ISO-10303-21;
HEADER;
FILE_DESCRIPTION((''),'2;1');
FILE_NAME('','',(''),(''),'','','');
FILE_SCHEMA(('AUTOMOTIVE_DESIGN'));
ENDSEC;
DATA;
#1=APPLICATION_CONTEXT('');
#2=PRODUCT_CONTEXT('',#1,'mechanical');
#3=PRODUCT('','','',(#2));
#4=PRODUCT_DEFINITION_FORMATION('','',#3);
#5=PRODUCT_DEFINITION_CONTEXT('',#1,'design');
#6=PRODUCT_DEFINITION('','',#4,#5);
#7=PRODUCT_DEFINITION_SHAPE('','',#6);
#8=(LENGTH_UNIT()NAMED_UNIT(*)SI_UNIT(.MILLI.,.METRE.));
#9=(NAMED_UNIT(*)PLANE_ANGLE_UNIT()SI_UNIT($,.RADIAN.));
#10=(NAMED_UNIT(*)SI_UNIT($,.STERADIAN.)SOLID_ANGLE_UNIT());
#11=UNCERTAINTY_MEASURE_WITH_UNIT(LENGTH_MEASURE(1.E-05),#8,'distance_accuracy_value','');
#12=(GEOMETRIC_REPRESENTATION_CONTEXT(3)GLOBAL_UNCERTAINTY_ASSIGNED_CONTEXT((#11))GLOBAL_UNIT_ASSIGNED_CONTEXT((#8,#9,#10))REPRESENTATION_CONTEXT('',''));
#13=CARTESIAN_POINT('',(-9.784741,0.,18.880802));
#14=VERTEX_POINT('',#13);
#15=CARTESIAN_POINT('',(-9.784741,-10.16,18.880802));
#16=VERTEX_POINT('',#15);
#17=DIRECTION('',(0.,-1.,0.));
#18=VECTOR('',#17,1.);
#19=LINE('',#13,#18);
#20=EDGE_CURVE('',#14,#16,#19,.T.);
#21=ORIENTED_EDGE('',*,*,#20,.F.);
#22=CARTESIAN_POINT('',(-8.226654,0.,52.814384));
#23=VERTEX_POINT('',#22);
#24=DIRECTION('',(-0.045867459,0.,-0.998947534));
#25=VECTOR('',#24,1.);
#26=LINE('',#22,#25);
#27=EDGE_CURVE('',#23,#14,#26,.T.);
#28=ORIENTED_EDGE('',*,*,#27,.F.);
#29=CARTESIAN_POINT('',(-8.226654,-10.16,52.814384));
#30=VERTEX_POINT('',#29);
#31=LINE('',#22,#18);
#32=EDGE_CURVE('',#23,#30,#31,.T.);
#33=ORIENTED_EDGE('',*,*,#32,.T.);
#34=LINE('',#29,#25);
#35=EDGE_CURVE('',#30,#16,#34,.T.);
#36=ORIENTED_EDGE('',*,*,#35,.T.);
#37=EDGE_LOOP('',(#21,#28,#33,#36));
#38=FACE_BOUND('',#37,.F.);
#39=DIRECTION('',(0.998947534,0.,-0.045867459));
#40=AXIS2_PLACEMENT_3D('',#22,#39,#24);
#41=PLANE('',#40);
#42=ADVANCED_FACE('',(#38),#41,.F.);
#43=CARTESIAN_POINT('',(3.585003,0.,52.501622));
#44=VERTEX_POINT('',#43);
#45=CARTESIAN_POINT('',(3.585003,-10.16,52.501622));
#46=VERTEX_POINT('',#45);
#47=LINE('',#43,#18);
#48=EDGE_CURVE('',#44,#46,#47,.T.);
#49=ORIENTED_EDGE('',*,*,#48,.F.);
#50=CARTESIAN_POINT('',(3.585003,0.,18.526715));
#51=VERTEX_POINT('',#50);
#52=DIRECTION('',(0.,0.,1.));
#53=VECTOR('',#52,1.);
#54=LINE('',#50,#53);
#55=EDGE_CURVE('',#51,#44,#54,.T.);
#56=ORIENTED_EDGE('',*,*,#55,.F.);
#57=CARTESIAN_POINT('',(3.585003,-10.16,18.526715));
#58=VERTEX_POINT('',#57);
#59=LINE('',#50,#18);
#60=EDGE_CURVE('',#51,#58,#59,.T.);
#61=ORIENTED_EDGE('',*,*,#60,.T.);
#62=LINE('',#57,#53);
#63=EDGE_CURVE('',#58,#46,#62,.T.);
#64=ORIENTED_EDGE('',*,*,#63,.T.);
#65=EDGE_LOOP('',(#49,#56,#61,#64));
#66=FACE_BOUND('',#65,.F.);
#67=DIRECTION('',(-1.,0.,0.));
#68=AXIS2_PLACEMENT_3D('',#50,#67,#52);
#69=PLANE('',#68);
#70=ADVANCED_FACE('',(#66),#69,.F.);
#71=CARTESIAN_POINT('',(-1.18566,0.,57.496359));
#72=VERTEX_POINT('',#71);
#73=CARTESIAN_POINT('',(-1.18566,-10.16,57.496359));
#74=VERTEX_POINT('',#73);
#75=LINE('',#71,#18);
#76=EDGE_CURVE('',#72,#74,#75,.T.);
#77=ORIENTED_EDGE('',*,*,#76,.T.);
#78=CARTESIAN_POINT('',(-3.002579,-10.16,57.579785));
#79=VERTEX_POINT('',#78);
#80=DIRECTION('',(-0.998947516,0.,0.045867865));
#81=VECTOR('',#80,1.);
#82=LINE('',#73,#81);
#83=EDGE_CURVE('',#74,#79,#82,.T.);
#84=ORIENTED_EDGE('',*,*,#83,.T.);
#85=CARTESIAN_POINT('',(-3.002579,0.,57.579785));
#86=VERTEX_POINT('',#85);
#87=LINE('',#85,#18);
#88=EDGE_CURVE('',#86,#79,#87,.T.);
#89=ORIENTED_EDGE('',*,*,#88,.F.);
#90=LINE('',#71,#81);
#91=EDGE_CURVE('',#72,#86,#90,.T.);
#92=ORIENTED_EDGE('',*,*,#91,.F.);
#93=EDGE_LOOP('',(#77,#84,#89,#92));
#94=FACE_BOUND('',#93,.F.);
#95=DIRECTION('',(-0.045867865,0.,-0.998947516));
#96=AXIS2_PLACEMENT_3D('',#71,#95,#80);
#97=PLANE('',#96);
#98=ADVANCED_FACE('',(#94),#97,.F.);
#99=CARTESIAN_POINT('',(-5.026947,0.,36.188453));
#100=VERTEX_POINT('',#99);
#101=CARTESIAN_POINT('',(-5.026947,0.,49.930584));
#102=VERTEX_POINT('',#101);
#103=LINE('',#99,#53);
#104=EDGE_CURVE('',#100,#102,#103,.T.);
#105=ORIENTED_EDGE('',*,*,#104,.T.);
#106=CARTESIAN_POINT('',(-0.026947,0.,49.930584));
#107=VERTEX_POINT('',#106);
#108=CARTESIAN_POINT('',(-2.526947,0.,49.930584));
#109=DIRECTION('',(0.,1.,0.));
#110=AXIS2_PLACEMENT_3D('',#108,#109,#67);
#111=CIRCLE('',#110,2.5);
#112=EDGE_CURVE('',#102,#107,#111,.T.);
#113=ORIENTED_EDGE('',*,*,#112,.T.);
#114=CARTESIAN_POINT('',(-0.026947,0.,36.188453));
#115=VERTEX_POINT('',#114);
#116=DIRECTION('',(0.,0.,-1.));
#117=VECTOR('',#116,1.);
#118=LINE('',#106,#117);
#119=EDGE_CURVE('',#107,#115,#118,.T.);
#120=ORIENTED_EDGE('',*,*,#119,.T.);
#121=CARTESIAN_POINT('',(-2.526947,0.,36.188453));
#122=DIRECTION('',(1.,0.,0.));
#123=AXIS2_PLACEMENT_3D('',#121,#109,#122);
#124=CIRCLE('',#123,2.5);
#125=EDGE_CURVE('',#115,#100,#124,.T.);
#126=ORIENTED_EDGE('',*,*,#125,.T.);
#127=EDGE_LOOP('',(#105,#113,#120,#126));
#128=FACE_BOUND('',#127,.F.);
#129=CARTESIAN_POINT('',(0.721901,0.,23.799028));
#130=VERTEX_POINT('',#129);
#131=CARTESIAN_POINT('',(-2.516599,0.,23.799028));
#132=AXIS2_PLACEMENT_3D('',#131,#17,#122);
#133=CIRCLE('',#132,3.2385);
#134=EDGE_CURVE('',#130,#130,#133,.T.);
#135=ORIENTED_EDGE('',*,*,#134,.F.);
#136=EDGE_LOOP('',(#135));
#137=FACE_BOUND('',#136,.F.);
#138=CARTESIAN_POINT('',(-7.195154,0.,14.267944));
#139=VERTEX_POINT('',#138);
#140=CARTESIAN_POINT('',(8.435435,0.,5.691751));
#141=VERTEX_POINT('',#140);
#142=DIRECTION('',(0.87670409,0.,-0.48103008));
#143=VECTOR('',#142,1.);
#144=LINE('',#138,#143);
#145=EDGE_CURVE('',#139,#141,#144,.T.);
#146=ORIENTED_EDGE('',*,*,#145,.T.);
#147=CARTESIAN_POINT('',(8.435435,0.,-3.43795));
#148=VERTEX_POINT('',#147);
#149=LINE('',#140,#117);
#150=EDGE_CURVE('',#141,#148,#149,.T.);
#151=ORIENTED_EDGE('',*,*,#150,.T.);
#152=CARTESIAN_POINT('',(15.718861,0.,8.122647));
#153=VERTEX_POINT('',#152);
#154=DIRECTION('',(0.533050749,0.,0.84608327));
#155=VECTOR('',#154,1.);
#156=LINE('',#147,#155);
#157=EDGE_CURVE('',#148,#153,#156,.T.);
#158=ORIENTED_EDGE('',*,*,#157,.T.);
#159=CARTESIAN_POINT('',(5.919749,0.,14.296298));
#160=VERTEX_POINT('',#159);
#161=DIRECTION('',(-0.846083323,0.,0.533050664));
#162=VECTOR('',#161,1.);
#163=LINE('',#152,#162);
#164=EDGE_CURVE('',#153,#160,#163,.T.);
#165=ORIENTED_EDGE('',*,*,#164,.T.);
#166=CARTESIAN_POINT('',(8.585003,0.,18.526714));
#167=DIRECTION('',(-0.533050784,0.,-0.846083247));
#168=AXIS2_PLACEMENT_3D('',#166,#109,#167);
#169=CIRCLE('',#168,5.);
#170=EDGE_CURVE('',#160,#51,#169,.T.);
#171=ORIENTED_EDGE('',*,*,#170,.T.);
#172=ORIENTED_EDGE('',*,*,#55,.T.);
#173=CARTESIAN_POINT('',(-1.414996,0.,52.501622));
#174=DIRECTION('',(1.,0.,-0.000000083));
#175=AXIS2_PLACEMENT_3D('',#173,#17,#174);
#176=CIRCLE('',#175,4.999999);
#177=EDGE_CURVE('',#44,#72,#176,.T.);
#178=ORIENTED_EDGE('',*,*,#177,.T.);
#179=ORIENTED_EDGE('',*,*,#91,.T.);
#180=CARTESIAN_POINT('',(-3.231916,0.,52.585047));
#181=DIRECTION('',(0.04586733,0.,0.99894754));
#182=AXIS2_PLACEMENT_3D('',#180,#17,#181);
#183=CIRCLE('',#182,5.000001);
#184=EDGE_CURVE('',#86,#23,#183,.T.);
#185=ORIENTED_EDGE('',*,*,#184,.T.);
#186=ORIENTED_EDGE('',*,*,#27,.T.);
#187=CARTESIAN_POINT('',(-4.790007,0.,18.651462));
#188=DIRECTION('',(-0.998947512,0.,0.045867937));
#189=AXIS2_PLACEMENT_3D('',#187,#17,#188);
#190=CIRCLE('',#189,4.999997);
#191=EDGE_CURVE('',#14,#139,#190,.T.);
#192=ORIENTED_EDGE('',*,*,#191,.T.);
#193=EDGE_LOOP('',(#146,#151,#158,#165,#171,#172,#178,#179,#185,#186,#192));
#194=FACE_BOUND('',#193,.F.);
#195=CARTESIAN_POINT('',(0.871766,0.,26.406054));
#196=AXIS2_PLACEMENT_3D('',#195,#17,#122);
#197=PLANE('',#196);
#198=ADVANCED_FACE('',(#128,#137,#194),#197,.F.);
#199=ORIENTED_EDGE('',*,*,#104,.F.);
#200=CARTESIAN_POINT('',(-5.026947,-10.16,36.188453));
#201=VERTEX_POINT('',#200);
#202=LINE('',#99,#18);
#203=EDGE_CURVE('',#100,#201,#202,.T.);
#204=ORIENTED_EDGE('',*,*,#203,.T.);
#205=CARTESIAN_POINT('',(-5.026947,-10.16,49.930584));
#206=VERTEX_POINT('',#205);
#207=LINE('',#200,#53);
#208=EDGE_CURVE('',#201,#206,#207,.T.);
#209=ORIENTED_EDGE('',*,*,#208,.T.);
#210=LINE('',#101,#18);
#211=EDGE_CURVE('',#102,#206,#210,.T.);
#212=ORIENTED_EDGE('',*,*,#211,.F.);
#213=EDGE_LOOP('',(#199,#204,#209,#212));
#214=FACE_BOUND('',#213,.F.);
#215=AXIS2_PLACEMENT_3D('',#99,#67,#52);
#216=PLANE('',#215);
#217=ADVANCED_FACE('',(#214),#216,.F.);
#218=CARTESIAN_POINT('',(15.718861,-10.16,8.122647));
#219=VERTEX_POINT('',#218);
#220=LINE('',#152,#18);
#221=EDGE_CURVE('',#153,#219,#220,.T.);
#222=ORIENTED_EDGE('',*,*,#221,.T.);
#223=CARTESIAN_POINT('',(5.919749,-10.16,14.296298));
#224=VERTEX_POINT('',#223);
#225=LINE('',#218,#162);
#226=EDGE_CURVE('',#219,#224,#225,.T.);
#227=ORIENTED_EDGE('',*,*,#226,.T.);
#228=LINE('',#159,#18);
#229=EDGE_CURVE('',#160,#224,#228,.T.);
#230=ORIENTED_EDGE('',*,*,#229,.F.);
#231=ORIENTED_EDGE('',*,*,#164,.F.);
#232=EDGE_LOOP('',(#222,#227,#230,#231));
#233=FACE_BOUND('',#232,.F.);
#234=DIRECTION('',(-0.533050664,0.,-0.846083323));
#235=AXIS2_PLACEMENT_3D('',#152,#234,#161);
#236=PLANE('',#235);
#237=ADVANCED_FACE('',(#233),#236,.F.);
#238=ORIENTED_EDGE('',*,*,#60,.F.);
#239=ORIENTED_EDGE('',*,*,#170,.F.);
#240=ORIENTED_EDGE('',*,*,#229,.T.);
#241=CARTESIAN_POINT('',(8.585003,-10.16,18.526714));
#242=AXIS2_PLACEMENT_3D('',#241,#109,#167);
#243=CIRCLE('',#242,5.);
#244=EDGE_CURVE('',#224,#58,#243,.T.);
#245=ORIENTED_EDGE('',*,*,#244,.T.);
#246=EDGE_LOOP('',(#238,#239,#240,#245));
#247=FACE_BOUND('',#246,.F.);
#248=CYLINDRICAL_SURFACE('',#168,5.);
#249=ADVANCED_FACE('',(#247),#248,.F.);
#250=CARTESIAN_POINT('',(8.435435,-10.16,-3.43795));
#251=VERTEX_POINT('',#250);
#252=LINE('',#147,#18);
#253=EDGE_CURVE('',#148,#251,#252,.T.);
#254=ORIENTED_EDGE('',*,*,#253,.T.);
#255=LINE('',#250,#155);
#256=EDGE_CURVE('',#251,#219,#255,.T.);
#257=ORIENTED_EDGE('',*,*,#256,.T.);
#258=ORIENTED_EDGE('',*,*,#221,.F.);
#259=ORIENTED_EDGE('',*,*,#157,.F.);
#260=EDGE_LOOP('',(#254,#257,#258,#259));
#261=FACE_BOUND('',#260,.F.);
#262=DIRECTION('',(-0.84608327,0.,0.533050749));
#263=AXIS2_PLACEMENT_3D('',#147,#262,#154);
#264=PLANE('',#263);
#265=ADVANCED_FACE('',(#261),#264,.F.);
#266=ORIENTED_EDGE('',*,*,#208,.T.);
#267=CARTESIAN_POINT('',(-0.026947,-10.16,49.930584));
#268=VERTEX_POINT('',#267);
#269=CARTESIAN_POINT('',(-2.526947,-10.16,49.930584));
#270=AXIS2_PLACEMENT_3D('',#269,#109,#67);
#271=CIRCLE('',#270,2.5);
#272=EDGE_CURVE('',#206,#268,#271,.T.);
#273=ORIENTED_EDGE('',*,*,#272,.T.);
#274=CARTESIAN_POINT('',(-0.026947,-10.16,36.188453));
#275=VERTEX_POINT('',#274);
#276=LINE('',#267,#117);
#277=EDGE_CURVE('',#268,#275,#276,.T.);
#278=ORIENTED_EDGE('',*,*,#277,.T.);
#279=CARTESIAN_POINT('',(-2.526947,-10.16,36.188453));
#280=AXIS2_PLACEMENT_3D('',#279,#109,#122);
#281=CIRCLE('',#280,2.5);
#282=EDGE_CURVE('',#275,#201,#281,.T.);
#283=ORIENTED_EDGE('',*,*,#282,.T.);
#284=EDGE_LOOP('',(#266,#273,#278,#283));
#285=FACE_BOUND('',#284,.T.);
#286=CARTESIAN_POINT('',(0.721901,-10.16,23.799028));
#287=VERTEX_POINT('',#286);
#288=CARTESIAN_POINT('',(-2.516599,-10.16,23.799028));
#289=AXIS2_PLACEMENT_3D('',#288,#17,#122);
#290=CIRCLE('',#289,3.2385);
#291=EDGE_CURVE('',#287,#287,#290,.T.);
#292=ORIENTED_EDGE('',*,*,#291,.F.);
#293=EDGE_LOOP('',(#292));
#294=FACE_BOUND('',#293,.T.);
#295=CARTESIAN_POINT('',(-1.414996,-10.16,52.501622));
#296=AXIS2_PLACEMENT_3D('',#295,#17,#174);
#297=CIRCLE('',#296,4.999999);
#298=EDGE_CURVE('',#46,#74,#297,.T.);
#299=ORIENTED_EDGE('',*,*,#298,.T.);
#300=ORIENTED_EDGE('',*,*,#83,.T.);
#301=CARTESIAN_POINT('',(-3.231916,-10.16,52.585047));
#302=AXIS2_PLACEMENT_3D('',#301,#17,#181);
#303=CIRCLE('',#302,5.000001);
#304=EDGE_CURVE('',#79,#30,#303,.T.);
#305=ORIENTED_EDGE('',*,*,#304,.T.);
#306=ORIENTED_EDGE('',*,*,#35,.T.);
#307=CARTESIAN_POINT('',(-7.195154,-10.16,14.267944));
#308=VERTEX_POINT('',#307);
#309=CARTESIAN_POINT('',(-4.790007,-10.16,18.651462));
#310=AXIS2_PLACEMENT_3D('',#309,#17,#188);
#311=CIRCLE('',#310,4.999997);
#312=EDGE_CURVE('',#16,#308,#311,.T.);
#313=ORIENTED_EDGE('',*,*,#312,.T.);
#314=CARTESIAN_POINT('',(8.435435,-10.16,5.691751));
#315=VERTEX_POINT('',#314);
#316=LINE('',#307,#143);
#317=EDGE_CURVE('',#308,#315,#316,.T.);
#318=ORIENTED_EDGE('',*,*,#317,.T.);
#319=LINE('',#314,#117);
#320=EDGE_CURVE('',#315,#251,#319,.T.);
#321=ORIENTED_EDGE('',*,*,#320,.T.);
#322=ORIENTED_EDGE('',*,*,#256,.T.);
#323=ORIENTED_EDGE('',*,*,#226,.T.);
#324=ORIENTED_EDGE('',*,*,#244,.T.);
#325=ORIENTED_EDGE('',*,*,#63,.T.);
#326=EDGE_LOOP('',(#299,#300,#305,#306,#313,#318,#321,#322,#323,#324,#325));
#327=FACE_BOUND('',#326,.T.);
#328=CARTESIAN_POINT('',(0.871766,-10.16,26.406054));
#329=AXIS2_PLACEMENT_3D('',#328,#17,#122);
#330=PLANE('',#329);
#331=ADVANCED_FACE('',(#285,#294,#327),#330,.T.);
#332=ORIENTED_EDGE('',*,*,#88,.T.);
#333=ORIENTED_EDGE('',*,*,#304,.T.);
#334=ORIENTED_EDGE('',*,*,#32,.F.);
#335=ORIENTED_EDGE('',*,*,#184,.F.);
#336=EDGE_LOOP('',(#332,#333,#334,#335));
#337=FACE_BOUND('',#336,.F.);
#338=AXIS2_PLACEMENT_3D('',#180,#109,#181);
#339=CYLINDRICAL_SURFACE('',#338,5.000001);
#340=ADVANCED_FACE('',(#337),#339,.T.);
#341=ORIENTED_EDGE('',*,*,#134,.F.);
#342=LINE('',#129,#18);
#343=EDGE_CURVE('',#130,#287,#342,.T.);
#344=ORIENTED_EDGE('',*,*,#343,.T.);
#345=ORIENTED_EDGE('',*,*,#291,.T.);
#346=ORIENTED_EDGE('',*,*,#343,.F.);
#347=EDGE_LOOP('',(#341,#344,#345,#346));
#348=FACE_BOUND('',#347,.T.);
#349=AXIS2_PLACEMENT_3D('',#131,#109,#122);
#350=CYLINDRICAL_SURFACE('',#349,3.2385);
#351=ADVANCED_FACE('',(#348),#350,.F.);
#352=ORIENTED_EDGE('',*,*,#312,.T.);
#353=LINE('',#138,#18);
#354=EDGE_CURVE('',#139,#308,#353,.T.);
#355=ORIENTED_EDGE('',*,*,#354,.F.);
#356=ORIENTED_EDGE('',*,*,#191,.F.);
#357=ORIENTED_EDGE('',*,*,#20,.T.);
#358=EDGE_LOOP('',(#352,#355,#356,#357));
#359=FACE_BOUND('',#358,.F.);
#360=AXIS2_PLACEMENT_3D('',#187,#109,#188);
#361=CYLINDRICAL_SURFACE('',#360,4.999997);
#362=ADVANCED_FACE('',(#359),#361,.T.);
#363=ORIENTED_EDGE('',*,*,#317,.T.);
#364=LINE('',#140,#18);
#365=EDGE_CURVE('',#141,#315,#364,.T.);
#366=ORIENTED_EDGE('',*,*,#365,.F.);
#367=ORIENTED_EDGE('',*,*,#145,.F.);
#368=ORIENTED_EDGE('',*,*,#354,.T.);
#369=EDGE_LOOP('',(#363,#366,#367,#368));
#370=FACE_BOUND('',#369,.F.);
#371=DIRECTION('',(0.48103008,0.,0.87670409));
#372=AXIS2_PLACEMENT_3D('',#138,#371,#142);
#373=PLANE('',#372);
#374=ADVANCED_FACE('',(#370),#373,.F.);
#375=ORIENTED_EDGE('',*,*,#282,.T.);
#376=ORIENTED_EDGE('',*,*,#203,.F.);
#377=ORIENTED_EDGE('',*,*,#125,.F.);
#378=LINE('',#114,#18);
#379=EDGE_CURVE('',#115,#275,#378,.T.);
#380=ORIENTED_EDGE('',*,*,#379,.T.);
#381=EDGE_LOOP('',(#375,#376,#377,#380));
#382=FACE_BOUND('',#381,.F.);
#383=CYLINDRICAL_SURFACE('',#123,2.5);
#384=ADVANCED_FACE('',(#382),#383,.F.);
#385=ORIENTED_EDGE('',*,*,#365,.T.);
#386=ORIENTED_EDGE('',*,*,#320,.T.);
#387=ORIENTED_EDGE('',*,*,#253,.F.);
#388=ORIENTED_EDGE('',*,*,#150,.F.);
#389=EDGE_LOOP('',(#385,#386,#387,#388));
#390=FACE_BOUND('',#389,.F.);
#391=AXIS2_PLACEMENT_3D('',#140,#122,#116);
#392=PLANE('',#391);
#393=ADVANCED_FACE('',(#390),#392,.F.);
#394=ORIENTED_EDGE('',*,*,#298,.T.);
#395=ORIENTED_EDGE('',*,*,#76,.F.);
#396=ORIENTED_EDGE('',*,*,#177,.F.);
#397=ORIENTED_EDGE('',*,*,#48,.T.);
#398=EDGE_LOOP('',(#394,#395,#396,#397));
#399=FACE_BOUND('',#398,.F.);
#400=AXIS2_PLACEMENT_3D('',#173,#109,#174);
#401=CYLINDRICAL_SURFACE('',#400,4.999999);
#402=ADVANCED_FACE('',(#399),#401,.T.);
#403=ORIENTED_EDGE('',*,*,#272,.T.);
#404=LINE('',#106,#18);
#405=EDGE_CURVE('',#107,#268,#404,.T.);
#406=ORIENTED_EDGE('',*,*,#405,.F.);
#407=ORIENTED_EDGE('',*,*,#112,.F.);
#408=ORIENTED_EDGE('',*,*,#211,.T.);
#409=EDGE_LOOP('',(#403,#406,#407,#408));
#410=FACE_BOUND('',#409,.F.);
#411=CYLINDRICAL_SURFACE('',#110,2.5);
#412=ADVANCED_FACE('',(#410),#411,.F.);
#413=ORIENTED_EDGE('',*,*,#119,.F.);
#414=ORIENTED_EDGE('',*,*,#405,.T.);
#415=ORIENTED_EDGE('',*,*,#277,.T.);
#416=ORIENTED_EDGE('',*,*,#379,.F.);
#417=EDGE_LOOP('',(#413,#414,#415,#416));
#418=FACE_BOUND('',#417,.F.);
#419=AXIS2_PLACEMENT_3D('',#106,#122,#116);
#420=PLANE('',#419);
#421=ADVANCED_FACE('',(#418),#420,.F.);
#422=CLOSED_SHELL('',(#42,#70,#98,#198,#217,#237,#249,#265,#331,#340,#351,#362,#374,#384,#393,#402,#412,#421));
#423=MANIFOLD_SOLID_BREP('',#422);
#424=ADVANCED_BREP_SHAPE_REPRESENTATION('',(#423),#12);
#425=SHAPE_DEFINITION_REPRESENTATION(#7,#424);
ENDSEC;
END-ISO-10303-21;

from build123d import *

# Parameters (mm, degrees)
F0_R     = 3.2385
F1_DEPTH = 10.16


with BuildPart() as f1:
    # F0 (on Front) → F1 (new body)
    with BuildSketch(Plane.XZ):
        with BuildLine():
            Line((3.585003, 18.526715), (3.585003, 36.057625))
            Line((3.585003, 36.057625), (3.585003, 52.501622))
            ThreePointArc((3.585003, 52.501622), (2.200711, 55.955121), (-1.18566, 57.496359))
            Line((-1.18566, 57.496359), (-3.002579, 57.579785))
            ThreePointArc((-3.002579, 57.579785), (-6.601563, 56.279026), (-8.226654, 52.814384))
            Line((-8.226654, 52.814384), (-9.784741, 18.880802))
            ThreePointArc((-9.784741, 18.880802), (-9.149958, 16.203853), (-7.195154, 14.267944))
            Line((-7.195154, 14.267944), (8.435435, 5.691751))
            Line((8.435435, 5.691751), (8.435435, -3.43795))
            Line((8.435435, -3.43795), (15.718861, 8.122647))
            Line((15.718861, 8.122647), (5.919749, 14.296298))
            ThreePointArc((5.919749, 14.296298), (4.207431, 16.110754), (3.585003, 18.526715))
        make_face()
        with Locations((-2.516599, 23.799028)):
            Circle(F0_R, mode=Mode.SUBTRACT)
        with BuildLine():
            Line((-5.026947, 36.188453), (-5.026947, 49.930584))
            ThreePointArc((-5.026947, 49.930584), (-2.526947, 52.430584), (-0.026947, 49.930584))
            Line((-0.026947, 49.930584), (-0.026947, 36.188453))
            ThreePointArc((-0.026947, 36.188453), (-2.526947, 33.688453), (-5.026947, 36.188453))
        make_face(mode=Mode.SUBTRACT)
    extrude(amount=F1_DEPTH)


solid = f1.part
